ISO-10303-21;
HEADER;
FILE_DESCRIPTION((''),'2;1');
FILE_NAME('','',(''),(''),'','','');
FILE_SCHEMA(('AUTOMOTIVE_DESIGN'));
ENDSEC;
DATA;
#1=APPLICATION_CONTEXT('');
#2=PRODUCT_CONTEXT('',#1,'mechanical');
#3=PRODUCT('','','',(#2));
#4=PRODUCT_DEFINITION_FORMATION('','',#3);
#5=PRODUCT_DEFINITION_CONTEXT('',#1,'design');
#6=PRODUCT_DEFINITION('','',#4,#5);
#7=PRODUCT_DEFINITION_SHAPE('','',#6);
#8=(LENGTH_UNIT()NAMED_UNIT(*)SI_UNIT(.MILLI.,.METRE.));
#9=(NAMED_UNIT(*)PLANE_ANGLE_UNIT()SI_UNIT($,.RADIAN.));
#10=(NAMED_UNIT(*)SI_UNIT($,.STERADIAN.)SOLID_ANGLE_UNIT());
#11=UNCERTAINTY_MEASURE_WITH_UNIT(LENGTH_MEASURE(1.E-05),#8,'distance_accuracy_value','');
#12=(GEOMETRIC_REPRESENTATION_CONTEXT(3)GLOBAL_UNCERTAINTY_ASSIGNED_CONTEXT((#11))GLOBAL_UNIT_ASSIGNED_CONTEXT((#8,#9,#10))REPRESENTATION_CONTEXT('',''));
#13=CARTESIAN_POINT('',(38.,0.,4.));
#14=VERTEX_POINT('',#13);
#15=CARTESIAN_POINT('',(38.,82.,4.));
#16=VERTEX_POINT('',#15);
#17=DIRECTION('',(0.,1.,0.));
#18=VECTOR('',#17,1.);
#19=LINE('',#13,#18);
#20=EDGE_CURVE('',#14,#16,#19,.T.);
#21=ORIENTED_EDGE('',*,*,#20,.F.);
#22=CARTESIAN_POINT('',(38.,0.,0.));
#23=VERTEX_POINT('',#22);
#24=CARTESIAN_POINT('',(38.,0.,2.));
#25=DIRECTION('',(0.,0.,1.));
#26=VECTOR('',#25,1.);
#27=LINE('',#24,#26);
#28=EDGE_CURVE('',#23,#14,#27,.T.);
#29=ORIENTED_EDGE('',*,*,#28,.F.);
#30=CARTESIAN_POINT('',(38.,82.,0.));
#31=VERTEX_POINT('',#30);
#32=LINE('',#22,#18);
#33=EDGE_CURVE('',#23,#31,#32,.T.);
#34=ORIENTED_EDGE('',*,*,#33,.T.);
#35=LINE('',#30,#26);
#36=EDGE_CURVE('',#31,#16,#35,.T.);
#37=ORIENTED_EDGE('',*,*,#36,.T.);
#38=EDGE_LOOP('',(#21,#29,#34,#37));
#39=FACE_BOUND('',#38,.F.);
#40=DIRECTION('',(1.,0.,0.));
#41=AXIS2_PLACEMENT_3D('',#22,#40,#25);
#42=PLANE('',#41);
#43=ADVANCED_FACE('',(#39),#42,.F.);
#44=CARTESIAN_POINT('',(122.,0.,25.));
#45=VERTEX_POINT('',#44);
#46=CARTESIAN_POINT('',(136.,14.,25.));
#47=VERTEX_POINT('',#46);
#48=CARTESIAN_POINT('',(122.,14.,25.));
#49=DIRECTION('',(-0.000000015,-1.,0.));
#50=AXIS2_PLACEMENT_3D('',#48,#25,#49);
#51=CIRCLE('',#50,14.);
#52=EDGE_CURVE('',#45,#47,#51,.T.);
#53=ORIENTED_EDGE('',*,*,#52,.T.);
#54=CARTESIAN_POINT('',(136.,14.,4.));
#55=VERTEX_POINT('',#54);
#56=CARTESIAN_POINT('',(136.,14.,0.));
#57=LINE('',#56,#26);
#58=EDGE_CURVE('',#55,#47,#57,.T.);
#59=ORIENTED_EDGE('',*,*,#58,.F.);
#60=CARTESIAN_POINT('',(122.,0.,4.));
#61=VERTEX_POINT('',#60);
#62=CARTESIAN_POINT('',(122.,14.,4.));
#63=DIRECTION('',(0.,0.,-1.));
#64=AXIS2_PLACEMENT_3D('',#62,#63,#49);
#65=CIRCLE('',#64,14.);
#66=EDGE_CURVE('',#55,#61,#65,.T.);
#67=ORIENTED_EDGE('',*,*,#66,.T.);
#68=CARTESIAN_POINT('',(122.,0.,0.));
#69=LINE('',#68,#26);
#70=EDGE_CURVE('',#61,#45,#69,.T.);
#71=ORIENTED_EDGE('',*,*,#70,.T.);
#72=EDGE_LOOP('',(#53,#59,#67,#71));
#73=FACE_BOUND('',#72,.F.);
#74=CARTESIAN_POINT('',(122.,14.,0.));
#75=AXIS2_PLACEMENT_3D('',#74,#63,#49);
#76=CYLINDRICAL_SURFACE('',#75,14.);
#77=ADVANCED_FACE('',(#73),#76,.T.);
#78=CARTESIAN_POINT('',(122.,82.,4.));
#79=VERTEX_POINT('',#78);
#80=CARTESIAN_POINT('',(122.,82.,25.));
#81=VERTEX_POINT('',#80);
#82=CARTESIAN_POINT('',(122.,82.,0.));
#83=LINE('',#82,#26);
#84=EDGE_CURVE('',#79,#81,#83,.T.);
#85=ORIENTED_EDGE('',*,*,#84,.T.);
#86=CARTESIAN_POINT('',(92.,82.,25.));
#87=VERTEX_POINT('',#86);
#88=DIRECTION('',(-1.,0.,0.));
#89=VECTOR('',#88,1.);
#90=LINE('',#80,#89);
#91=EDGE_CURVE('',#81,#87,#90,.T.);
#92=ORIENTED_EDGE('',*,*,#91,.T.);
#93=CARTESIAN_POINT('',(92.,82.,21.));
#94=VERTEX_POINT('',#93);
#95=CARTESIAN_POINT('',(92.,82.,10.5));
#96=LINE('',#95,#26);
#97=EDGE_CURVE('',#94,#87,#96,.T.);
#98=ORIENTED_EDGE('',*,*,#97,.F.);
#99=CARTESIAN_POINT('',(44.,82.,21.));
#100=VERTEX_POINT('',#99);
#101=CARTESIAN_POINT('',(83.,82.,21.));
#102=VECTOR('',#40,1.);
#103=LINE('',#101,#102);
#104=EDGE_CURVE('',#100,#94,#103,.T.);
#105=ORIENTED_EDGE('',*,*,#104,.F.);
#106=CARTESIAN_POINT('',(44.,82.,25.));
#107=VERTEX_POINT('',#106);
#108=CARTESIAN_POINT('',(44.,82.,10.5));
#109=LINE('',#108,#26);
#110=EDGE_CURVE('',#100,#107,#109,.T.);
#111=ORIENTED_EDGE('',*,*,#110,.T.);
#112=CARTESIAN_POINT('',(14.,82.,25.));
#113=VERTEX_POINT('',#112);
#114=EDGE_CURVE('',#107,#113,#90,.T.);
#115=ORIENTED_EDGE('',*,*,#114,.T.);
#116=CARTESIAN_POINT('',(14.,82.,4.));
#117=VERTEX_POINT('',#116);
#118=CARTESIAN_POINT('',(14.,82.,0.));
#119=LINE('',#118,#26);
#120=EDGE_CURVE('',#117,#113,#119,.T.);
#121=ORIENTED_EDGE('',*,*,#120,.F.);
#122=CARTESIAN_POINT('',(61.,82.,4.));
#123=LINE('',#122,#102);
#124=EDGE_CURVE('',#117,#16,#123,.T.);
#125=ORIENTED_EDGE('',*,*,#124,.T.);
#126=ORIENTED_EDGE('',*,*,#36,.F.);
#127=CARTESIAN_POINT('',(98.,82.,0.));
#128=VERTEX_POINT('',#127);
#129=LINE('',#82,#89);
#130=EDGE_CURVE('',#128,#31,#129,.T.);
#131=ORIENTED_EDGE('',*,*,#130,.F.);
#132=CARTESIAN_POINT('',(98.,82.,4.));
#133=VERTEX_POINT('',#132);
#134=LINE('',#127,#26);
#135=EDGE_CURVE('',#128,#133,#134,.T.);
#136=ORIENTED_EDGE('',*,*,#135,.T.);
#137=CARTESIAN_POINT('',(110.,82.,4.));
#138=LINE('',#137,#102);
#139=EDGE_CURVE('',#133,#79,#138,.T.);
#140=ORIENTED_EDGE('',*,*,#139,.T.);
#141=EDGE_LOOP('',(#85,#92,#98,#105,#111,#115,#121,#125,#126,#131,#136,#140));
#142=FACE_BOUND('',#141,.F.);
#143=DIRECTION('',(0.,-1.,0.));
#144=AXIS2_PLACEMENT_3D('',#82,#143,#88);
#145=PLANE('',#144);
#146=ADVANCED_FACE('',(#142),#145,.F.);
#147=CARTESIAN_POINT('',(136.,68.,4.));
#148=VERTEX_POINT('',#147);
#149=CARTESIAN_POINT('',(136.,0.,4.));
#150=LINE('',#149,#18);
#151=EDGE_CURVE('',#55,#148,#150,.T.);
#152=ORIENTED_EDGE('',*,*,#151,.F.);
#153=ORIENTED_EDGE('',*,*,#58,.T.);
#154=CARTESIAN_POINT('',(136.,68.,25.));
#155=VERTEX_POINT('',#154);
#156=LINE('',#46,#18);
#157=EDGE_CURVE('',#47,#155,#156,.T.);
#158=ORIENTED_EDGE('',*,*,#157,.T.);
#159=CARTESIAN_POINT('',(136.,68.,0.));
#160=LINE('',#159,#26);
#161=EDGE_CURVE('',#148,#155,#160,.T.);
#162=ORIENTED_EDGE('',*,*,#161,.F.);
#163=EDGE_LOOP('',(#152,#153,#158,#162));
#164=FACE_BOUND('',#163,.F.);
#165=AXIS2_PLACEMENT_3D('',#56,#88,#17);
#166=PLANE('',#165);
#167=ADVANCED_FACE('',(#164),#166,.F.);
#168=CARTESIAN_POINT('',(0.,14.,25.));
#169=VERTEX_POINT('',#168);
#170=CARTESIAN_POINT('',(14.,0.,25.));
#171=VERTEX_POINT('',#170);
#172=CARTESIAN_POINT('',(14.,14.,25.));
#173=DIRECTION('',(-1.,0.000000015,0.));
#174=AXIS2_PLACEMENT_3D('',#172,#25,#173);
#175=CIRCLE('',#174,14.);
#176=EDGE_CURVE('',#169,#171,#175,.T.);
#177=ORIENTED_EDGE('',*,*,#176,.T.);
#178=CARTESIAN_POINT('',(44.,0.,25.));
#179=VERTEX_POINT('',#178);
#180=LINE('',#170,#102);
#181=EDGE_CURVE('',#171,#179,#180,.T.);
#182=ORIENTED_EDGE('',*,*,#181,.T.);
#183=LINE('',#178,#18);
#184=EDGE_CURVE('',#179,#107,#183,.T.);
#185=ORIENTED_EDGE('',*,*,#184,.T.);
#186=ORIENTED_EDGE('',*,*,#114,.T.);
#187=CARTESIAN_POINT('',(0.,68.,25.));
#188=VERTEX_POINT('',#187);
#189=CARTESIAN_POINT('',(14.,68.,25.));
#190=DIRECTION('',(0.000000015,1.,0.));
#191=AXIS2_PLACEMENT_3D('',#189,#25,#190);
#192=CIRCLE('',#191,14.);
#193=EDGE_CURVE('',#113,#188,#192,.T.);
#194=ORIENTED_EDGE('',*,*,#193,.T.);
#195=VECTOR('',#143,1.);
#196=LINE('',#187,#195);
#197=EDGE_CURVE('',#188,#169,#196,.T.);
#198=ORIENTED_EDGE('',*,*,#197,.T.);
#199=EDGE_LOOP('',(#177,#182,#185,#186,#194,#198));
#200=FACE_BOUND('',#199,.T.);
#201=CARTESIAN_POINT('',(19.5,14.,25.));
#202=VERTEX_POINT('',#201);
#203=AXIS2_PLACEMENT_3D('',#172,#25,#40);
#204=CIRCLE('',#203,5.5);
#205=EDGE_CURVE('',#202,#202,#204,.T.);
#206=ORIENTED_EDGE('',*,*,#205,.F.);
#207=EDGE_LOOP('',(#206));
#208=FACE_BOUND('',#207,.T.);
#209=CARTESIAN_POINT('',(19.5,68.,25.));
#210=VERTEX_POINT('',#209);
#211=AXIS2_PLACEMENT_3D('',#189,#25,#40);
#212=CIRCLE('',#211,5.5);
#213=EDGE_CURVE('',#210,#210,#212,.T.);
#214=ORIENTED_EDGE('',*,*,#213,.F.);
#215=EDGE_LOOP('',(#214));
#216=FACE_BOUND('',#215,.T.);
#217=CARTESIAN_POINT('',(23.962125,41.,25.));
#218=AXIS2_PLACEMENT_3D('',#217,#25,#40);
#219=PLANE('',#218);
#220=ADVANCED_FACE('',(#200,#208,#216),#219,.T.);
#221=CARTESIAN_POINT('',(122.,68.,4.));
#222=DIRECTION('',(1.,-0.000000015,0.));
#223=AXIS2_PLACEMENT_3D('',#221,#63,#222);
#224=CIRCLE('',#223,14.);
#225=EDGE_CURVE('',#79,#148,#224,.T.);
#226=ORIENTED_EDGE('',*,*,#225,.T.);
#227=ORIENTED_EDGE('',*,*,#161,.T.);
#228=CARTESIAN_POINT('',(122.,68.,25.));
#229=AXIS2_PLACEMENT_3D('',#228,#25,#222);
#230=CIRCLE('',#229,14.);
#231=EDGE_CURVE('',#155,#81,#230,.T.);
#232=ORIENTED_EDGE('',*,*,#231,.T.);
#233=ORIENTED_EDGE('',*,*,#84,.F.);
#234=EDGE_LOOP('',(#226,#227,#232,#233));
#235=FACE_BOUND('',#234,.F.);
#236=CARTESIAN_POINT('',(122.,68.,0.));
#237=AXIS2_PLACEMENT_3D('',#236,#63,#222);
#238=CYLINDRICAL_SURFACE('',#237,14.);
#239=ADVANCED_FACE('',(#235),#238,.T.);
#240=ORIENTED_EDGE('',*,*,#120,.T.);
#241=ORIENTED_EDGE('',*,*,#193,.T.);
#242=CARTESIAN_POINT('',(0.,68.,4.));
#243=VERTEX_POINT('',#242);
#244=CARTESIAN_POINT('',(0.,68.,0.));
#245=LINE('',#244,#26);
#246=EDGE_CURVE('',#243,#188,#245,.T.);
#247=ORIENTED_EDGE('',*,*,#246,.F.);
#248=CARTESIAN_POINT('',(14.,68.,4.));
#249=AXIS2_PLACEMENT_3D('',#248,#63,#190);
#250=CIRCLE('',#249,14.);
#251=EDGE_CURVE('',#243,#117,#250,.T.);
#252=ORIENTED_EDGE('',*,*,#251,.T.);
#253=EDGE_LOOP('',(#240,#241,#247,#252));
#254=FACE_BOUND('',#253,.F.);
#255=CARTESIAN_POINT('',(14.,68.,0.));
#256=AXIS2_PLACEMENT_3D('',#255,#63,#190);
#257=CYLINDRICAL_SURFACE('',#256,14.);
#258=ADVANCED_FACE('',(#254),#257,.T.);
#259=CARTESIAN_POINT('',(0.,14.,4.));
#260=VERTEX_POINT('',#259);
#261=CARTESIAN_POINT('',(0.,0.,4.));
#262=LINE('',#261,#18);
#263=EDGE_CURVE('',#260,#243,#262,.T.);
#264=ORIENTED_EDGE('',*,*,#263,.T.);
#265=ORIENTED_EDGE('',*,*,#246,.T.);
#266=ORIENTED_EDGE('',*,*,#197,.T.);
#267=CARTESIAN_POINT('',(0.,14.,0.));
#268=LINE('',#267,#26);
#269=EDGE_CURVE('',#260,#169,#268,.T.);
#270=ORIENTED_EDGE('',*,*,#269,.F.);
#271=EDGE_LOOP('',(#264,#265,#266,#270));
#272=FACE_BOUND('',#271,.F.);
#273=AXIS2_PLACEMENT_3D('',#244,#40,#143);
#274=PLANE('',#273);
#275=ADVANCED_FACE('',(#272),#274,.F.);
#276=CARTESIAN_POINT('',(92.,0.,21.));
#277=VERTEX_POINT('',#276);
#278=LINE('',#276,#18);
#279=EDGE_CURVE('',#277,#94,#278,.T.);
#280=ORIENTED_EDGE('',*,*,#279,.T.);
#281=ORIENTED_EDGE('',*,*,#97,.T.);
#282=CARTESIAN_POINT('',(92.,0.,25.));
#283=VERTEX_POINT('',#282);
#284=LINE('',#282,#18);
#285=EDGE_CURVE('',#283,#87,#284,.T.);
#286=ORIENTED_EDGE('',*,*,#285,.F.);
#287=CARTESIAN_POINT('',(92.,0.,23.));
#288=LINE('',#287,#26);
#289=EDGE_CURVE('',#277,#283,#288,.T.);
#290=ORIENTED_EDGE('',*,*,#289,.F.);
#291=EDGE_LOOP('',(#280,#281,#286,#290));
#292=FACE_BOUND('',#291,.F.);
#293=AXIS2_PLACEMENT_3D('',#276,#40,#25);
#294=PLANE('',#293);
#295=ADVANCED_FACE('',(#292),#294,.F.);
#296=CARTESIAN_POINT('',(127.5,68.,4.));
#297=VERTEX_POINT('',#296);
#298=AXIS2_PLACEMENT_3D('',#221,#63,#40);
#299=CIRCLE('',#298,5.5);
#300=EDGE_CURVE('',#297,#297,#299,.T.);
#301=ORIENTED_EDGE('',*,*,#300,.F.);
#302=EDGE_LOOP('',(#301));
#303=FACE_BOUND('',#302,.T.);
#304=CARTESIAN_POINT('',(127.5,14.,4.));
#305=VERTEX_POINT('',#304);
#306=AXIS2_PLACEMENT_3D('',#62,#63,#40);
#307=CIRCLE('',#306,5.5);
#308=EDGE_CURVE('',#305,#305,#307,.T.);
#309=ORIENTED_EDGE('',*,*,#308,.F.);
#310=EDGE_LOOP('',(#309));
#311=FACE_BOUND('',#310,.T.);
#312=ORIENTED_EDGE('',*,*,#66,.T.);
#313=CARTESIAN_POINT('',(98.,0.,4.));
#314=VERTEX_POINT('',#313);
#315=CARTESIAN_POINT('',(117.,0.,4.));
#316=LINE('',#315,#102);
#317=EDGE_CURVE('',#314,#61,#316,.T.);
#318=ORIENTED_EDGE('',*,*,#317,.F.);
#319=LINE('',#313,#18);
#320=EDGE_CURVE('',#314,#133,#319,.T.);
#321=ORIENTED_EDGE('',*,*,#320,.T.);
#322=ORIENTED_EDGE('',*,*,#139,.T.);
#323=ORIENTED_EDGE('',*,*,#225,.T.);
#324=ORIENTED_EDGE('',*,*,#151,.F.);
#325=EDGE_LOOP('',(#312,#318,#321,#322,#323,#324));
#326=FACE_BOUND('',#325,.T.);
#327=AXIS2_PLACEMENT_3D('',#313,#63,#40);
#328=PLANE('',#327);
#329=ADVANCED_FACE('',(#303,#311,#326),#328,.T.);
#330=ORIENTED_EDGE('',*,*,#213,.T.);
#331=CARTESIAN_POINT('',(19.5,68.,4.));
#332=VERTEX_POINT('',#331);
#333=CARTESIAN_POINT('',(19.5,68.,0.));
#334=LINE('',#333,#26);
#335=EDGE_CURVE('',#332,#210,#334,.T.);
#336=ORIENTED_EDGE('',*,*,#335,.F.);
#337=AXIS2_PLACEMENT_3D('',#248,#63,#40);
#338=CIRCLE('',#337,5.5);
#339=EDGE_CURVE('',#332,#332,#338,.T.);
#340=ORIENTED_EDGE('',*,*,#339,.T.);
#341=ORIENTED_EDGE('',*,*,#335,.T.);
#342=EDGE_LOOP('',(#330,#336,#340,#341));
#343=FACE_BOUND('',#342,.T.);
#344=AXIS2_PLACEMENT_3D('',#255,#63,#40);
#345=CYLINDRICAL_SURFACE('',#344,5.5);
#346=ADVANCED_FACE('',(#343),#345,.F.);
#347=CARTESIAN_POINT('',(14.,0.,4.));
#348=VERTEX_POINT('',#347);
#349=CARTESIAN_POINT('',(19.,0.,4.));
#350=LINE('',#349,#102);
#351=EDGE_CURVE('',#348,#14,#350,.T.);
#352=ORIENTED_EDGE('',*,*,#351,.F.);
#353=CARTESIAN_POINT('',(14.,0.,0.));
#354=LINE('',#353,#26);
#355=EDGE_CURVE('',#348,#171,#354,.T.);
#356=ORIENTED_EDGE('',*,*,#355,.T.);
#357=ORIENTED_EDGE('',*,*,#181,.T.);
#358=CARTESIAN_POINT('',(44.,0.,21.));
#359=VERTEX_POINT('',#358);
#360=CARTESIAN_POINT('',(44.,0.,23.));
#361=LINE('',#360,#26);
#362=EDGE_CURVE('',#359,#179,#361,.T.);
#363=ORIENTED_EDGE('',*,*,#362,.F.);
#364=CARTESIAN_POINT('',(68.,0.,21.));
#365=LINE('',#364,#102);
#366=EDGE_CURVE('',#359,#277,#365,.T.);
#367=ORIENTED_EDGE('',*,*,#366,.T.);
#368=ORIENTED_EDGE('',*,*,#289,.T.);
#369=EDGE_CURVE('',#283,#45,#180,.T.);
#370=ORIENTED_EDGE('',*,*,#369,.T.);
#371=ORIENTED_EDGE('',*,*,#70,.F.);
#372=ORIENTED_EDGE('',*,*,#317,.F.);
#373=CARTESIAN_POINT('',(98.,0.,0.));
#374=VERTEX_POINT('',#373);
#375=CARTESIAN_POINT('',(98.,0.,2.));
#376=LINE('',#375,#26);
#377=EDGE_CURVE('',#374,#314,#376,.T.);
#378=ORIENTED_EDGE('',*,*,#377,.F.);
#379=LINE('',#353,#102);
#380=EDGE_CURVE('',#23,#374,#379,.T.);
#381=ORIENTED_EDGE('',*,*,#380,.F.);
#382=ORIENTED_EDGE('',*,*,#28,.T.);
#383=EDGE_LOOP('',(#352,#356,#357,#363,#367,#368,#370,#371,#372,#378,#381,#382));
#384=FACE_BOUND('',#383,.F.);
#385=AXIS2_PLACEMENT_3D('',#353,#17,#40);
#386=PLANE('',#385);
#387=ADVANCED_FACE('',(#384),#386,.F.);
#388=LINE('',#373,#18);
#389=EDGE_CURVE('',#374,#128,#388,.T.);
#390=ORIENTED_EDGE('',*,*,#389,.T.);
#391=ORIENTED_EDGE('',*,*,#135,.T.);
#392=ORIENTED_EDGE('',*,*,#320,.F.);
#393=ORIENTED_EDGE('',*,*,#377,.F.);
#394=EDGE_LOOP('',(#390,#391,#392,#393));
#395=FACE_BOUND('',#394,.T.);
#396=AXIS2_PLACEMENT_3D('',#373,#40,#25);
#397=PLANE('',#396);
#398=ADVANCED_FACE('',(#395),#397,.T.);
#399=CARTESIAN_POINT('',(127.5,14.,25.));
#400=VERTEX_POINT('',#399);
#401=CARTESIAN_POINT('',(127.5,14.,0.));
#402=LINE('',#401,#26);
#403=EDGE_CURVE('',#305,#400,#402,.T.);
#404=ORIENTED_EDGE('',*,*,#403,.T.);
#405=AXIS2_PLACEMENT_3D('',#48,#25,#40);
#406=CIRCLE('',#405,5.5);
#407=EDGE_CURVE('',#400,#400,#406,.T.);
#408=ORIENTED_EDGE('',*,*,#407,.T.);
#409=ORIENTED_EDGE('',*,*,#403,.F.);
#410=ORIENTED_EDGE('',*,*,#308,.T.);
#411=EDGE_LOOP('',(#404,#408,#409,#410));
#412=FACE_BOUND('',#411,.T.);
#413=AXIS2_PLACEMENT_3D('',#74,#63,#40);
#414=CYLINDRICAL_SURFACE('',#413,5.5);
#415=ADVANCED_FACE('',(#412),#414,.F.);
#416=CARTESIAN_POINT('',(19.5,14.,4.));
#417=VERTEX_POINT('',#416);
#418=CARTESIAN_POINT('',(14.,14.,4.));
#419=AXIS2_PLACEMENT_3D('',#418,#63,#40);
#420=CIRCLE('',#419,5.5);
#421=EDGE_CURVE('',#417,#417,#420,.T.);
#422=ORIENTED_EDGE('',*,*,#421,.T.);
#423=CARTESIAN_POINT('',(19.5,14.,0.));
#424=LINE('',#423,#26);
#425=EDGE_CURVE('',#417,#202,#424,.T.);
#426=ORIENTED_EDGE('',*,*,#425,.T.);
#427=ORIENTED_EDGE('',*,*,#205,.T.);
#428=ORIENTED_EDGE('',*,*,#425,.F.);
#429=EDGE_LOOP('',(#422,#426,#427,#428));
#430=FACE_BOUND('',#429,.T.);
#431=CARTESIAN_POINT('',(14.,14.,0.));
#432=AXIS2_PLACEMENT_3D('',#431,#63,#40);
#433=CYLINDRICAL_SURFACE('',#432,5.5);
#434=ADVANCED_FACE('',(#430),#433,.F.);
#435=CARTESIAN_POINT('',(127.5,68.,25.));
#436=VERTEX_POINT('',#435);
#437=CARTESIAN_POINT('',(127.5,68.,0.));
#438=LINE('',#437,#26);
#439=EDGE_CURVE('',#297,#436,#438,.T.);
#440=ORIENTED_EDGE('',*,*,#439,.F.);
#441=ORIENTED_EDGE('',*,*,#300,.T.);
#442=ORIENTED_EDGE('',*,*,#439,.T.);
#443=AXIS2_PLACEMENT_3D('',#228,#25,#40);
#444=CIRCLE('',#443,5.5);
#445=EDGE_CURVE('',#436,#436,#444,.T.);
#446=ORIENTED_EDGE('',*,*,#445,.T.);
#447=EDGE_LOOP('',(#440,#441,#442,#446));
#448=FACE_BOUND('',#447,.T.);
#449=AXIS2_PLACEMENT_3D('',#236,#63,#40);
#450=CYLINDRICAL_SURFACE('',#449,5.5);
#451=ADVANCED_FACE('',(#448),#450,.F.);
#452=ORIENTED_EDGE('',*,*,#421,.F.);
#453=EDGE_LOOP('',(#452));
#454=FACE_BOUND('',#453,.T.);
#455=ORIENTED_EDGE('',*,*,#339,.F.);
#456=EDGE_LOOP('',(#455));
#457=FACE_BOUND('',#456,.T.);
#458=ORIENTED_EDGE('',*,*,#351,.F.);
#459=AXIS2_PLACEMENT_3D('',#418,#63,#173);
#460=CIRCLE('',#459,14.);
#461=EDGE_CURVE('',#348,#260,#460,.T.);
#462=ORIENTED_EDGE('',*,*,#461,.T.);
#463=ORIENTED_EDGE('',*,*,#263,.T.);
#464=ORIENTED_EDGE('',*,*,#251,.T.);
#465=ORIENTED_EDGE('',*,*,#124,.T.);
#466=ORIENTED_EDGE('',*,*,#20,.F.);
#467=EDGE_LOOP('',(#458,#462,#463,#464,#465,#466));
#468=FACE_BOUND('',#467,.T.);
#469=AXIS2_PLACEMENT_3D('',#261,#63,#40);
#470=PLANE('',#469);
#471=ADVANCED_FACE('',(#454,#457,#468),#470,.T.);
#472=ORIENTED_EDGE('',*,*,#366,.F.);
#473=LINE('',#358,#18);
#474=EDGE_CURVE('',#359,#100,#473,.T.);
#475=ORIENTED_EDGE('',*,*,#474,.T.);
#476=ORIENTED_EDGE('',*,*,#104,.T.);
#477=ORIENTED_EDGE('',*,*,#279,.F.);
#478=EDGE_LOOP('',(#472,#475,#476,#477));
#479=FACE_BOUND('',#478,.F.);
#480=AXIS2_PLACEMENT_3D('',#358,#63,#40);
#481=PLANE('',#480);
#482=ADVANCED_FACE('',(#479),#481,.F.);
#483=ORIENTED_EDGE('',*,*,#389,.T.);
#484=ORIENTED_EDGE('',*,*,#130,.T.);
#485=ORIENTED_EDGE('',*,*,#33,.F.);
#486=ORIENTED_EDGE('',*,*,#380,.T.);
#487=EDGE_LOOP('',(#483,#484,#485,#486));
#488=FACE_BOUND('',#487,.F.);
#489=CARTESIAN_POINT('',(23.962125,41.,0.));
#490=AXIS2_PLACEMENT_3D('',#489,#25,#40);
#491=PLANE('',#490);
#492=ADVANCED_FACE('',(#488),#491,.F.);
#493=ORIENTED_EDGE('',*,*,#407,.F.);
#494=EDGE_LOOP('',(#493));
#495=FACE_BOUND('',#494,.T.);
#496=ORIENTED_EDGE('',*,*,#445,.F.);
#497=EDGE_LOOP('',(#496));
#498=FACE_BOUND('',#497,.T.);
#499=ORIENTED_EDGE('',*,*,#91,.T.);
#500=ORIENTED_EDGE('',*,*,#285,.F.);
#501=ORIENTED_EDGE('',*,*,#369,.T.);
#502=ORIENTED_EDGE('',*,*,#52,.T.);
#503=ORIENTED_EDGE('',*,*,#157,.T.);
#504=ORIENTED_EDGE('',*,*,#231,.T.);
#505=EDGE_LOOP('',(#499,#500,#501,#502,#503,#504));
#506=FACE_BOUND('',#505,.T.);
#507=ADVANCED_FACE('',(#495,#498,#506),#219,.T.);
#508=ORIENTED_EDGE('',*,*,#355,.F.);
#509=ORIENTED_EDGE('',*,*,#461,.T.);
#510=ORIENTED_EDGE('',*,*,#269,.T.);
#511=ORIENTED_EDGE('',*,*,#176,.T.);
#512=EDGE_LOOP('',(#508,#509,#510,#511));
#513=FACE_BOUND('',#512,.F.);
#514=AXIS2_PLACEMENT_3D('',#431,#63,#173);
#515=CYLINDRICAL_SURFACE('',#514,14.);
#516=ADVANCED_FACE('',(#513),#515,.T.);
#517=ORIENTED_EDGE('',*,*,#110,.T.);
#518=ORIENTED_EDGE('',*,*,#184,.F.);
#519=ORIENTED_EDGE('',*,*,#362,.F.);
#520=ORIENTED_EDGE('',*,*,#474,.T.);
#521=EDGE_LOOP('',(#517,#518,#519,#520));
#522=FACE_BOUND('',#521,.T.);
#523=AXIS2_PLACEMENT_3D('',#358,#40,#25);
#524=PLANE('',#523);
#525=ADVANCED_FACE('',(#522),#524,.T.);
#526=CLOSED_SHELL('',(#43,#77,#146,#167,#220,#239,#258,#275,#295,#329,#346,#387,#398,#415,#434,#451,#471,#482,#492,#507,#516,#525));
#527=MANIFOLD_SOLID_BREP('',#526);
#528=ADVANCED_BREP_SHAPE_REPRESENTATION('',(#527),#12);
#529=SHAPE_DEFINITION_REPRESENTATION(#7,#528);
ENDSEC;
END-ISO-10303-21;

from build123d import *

# Parameters (mm, degrees)
F0_R     = 5.5
F0_W     = 45.4
F0_H     = 82
F1_DEPTH = 25
F2_W     = 48
F2_H     = 4
F2_W_2   = 38
F3_DEPTH = 82.001


with BuildPart() as f1:
    # F0 (on Top) → F1 (new body)
    with BuildSketch(Plane.XY):
        with BuildLine():
            ThreePointArc((0, 14), (4.100505, 4.100505), (14, 0))
            Line((14, 0), (45.3, 0))
            Line((45.3, 0), (45.3, 82))
            Line((45.3, 82), (14, 82))
            ThreePointArc((14, 82), (4.100505, 77.899495), (0, 68))
            Line((0, 68), (0, 14))
        make_face()
        with Locations((14, 14)):
            Circle(F0_R, mode=Mode.SUBTRACT)
        with Locations((14, 68)):
            Circle(F0_R, mode=Mode.SUBTRACT)
        with Locations((68, 41)):
            Rectangle(F0_W, F0_H)
        with BuildLine():
            Line((90.7, 82), (90.7, 0))
            Line((90.7, 0), (122, 0))
            ThreePointArc((122, 0), (131.899495, 4.100505), (136, 14))
            Line((136, 14), (136, 68))
            ThreePointArc((136, 68), (131.899495, 77.899495), (122, 82))
            Line((122, 82), (90.7, 82))
        make_face()
        with Locations((122, 14)):
            Circle(F0_R, mode=Mode.SUBTRACT)
        with Locations((122, 68)):
            Circle(F0_R, mode=Mode.SUBTRACT)
    extrude(amount=F1_DEPTH)

    # F2 (on face) → F3 (cut, through all)
    with BuildSketch(Plane.XZ):
        with Locations((68, 23)):
            Rectangle(F2_W, F2_H)
        with Locations((19, 2)):
            Rectangle(F2_W_2, F2_H)
        with Locations((117, 2)):
            Rectangle(F2_W_2, F2_H)
    extrude(amount=-F3_DEPTH, mode=Mode.SUBTRACT)


solid = f1.part
